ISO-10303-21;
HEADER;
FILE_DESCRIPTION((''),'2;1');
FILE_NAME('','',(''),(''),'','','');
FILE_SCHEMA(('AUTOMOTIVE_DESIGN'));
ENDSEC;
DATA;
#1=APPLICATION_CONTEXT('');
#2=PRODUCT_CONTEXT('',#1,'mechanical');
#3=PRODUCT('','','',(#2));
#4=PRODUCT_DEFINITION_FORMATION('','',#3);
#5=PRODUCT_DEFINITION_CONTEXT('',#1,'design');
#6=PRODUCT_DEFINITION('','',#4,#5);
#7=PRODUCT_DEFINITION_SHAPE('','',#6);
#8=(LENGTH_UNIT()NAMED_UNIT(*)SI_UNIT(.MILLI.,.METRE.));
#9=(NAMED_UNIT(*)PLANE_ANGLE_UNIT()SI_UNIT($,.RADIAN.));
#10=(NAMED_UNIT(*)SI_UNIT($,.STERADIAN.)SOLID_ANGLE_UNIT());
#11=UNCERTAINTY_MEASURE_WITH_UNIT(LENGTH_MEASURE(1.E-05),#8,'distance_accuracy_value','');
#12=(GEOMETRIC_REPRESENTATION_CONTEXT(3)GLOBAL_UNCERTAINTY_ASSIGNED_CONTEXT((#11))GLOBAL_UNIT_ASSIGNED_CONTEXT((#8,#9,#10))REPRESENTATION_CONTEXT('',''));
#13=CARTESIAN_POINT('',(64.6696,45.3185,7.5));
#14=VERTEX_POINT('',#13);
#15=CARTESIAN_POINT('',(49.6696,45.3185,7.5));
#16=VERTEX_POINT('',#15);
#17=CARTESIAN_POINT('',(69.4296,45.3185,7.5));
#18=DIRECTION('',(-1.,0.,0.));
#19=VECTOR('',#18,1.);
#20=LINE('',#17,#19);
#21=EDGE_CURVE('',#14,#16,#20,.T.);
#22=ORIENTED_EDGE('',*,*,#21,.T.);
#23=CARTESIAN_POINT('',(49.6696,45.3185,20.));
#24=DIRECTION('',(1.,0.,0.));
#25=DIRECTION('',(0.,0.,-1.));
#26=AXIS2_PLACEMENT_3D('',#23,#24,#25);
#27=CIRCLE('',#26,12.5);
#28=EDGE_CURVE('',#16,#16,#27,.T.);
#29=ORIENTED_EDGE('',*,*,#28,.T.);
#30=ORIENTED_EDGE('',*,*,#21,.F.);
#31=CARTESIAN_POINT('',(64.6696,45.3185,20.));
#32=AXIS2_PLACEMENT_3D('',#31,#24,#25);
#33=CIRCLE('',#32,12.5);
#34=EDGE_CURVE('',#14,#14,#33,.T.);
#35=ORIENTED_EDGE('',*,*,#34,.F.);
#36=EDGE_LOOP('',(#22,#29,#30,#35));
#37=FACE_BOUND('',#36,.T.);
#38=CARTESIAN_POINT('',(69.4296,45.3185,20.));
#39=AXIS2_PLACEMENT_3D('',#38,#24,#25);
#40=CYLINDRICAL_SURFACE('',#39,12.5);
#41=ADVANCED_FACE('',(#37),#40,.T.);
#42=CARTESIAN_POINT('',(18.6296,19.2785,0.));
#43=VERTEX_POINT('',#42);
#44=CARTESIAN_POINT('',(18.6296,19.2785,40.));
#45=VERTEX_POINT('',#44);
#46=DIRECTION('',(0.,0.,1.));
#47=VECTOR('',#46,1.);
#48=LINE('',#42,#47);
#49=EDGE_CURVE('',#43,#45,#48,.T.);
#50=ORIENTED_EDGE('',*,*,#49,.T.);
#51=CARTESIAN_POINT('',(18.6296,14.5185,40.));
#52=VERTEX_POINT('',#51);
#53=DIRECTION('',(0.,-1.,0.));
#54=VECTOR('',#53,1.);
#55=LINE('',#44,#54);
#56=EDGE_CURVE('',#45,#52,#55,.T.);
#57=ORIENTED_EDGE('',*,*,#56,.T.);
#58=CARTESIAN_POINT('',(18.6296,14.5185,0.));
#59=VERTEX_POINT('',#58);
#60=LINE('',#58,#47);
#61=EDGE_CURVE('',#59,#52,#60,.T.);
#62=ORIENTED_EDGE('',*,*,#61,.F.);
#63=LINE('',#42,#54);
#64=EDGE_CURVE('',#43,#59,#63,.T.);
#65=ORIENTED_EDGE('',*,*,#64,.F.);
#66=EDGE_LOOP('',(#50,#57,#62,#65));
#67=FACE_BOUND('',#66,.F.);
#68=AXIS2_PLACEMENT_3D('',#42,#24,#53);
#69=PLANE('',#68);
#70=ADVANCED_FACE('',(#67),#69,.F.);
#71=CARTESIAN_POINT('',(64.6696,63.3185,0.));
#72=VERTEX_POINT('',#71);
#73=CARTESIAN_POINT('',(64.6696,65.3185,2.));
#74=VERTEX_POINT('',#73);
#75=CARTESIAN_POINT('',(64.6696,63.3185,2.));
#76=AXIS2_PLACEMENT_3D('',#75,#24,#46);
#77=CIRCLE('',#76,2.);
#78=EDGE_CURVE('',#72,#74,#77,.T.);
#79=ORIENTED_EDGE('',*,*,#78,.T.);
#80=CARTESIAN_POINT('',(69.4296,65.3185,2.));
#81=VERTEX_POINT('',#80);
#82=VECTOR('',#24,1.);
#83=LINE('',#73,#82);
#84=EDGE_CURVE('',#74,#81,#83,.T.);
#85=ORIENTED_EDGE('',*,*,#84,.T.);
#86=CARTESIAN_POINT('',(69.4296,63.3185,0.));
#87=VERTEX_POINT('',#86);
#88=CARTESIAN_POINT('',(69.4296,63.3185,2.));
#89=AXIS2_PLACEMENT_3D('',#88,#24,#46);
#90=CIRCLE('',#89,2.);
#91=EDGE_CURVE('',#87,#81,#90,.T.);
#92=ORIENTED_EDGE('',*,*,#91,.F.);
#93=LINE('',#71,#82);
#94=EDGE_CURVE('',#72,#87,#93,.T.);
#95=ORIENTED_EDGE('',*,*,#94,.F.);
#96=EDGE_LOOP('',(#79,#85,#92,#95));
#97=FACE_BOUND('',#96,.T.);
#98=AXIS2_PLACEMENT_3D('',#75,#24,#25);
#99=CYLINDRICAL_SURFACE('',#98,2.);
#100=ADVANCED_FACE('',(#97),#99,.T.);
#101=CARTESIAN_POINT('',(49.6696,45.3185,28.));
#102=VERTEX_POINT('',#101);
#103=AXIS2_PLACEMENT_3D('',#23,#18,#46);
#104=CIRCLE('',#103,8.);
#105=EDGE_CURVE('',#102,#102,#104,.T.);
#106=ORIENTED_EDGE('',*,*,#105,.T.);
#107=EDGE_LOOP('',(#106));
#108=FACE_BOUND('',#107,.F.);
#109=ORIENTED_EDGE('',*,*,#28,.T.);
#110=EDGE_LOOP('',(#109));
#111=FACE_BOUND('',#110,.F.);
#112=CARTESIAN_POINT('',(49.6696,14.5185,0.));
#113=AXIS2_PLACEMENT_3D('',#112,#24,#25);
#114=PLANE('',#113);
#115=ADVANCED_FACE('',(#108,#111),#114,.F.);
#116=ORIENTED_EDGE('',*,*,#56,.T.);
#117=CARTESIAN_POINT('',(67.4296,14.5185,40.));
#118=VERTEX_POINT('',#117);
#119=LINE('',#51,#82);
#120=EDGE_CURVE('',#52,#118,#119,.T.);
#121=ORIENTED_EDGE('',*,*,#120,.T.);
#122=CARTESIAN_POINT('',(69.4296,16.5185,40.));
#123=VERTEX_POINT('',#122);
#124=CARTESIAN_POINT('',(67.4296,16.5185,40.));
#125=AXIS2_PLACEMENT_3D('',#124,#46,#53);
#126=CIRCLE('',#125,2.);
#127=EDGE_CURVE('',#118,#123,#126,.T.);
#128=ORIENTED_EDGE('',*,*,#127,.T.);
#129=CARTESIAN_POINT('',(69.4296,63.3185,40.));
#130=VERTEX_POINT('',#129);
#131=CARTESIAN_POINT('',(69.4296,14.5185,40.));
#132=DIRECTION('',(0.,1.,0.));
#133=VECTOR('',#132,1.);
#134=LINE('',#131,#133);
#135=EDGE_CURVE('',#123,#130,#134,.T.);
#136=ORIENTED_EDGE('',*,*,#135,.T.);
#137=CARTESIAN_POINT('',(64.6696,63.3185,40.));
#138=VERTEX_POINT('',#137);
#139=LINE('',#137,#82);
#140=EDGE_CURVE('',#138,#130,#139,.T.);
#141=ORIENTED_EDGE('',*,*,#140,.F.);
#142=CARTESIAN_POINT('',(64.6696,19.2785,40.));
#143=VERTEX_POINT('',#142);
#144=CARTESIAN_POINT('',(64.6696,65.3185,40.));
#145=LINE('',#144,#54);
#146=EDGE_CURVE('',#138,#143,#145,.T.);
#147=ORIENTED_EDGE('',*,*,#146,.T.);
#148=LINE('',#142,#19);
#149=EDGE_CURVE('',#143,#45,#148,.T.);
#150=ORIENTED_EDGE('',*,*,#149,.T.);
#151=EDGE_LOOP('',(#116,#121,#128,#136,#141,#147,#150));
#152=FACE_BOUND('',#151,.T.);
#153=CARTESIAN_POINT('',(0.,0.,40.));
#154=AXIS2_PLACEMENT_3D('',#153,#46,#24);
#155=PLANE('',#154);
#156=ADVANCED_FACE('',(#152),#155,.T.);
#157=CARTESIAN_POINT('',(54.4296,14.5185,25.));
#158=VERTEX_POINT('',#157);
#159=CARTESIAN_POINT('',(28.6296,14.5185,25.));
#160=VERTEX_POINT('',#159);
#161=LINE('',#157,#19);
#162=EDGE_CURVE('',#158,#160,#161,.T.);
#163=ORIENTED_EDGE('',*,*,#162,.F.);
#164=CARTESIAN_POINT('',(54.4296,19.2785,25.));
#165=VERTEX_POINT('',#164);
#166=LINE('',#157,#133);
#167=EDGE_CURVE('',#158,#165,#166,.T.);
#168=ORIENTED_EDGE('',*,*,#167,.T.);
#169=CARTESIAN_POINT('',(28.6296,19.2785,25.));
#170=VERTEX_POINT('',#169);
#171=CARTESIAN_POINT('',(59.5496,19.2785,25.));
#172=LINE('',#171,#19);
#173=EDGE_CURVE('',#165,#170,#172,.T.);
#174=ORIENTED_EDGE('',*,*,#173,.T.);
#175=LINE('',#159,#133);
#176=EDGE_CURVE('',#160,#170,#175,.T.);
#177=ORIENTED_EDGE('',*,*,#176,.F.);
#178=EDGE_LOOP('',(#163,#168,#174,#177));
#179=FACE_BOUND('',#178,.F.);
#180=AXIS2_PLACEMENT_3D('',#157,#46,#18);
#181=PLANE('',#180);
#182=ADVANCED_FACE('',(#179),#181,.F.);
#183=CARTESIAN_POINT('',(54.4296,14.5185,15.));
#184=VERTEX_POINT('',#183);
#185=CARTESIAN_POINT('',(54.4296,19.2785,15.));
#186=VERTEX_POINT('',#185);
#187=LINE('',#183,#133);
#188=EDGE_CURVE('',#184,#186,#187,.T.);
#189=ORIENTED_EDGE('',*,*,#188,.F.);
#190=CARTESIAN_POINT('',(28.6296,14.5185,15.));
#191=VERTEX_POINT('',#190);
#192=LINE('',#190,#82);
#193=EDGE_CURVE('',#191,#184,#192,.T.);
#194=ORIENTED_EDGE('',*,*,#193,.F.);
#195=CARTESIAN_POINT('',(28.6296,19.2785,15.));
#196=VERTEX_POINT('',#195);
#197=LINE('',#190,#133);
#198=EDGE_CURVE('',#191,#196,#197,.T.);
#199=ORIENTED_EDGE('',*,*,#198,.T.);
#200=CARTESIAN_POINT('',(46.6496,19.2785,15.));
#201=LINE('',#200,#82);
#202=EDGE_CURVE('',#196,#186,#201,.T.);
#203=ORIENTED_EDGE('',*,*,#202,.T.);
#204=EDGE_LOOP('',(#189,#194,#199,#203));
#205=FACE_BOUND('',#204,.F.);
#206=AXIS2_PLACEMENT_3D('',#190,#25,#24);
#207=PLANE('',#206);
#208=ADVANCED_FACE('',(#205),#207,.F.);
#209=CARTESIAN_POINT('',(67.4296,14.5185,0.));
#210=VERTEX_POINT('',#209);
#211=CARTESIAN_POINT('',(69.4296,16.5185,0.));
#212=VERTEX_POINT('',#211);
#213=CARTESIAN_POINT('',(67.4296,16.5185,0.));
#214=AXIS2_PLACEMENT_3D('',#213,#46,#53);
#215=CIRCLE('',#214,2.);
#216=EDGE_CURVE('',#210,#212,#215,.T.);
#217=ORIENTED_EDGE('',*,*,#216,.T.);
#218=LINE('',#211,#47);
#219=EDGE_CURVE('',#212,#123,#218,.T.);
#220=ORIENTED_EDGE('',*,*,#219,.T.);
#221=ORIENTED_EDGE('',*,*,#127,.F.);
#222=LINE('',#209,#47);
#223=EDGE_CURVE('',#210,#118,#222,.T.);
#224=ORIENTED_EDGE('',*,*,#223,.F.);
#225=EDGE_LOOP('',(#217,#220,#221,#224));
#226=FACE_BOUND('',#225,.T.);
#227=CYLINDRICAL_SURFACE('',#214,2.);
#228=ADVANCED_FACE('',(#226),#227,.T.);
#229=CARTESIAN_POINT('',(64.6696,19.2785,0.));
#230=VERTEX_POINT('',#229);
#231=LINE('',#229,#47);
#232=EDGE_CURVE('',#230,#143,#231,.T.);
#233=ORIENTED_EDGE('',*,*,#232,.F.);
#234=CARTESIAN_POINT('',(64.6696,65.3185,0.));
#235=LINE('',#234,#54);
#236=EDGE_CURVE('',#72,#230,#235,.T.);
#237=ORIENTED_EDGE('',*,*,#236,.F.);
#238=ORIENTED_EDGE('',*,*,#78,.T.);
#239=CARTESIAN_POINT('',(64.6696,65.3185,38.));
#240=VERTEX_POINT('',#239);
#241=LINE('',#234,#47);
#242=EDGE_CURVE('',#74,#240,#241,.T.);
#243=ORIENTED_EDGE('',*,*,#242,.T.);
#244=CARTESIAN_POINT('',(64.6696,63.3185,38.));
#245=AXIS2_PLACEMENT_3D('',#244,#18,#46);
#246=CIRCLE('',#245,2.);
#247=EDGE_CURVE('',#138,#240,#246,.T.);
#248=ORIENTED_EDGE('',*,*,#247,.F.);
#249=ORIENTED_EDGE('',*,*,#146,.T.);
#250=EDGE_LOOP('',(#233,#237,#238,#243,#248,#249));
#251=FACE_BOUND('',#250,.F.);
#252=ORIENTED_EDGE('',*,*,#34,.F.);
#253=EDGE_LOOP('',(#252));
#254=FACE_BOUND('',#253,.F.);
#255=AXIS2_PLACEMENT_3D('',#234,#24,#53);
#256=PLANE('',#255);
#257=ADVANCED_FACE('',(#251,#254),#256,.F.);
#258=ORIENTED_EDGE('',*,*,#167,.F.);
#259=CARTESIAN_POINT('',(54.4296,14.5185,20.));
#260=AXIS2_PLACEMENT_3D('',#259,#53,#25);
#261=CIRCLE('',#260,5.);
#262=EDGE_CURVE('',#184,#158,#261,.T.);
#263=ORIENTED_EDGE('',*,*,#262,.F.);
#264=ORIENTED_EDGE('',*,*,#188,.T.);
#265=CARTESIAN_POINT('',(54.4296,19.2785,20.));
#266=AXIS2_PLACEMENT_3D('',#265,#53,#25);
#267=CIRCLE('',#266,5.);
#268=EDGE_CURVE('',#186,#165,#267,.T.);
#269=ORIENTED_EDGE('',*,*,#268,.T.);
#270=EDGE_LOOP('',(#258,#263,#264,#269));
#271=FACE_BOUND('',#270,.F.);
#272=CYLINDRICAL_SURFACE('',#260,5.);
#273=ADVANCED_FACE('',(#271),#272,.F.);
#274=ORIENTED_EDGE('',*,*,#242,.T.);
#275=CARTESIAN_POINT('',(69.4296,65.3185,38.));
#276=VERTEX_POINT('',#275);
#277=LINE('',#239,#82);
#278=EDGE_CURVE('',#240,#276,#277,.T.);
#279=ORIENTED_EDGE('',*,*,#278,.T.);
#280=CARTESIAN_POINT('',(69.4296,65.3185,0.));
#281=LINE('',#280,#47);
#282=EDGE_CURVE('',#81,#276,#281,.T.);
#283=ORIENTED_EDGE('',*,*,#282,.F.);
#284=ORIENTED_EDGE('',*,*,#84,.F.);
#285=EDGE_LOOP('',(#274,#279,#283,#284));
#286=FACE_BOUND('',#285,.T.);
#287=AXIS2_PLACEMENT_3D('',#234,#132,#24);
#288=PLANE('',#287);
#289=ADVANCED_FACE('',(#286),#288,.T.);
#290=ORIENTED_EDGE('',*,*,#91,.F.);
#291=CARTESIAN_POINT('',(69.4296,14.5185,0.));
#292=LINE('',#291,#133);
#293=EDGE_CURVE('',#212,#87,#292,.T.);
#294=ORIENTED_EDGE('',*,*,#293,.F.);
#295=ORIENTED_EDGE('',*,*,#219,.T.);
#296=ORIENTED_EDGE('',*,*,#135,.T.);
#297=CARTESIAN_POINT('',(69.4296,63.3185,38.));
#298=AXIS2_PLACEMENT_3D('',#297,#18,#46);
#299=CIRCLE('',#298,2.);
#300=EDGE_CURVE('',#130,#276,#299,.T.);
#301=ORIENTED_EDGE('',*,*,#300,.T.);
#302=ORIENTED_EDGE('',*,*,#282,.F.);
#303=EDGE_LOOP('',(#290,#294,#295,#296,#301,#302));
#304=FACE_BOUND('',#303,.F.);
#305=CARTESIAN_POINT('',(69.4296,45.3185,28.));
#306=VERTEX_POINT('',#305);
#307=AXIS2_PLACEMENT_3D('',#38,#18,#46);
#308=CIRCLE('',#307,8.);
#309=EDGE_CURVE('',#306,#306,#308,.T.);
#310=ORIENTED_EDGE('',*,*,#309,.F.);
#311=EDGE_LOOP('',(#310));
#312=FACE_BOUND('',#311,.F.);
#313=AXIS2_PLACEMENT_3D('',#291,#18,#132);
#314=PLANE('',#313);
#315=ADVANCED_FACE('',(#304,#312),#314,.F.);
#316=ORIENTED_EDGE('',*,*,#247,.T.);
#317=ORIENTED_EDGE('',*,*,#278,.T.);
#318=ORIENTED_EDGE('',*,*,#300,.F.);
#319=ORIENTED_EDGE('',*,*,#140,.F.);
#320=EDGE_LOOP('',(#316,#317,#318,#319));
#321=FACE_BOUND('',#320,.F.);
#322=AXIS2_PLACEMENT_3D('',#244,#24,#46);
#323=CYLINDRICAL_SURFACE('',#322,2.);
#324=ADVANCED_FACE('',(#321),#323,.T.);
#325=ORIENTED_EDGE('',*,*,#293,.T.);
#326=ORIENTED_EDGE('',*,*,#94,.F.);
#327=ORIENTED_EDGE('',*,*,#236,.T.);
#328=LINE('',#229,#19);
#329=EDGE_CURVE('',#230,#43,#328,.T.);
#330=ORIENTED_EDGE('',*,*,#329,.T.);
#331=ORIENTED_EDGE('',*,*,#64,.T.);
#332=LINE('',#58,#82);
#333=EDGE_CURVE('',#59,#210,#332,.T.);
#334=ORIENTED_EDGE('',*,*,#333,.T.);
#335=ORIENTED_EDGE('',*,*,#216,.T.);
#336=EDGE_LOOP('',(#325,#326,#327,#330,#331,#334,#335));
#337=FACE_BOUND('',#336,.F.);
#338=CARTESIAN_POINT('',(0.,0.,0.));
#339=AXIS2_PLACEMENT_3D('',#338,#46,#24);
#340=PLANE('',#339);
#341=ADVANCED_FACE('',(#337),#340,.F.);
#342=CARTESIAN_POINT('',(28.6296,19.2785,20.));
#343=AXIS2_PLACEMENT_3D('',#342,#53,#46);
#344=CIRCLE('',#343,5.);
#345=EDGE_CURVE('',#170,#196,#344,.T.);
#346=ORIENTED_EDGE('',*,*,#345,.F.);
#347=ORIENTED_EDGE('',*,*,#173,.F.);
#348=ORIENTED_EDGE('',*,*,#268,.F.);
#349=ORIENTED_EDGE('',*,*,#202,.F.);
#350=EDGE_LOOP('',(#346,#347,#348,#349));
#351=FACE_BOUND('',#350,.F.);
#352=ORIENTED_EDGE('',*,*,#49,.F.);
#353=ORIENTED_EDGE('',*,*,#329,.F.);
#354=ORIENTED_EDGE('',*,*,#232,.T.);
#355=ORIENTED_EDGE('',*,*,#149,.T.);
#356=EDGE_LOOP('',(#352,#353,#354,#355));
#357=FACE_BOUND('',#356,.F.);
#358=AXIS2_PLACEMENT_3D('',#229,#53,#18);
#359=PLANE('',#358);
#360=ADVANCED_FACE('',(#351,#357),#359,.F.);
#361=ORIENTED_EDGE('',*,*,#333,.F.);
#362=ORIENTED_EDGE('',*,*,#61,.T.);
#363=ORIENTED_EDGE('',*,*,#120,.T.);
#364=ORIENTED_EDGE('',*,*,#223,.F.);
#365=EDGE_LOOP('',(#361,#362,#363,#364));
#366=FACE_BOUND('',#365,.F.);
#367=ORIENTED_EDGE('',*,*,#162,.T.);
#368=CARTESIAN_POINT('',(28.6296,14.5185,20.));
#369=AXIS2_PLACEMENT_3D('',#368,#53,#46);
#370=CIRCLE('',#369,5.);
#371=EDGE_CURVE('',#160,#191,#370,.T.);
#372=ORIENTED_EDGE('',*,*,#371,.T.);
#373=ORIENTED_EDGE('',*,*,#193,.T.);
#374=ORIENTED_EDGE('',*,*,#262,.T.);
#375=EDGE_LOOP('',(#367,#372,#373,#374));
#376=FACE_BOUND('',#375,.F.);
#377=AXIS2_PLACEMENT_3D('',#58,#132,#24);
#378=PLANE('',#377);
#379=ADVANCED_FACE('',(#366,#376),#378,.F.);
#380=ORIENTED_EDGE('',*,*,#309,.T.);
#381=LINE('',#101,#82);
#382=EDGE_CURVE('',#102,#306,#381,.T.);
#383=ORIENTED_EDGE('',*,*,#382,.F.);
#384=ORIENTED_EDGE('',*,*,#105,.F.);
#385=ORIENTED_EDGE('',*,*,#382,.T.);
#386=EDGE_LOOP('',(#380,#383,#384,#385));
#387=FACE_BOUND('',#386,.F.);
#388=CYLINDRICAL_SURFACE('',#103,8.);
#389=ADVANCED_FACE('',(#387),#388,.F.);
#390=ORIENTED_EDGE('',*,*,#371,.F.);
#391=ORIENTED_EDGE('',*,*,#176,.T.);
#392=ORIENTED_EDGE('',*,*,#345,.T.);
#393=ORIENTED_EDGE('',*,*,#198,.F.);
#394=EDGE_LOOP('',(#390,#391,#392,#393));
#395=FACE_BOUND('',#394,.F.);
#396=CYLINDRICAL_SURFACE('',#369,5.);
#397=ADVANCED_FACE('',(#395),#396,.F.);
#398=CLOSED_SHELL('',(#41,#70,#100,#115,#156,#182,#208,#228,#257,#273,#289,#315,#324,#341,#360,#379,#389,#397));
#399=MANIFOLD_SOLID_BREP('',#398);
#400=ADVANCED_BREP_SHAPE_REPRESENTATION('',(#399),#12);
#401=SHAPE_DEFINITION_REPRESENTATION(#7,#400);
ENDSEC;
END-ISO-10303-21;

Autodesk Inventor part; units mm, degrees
ref_plane "YZ Plane" through (0, 0, 0) normal (1, 0, 0) x (0, 1, 0)
ref_plane "XZ Plane" through (0, 0, 0) normal (0, 1, 0) x (-1, 0, 0)
ref_plane "XY Plane" through (0, 0, 0) normal (0, 0, 1) x (1, 0, 0)
sketch "Sketch1" plane through (0, 0, 0) normal (0, 0, 1) x (1, 0, 0)
  line L0 (18.6296, 14.5185) -> (69.4296, 14.5185)
  line L1 (69.4296, 14.5185) -> (69.4296, 65.3185)
  line L2 (64.6696, 65.3185) -> (64.6696, 19.2785)
  line L3 (64.6696, 19.2785) -> (18.6296, 19.2785)
  line L4 (18.6296, 19.2785) -> (18.6296, 14.5185)
  line L5 (64.6696, 65.3185) -> (69.4296, 65.3185)
  point P0 (0, 0)
  dimension "d1" = 50.8
  dimension "d2" = 50.8
  dimension "d3" = 4.76
extrude "Extrusion1" add sketch "Sketch1" along normal blind 40
sketch "Sketch2" plane through (69.4296, 14.5185, 0) normal (1, 0, 0) x (0, 0, -1)
  line L0 (-40, 50.8) -> (0, 0)
  line L1 (-40, 0) -> (0, 50.0964)
  circle A0 centre (-20, 30.8) radius 12.5
  line L2 (0, 50.8) -> (-40, 50.8) projected
  line L3 (0, 0) -> (0, 50.8) projected
  point P0 (0, -14.5185)
  dimension "d6" = 25
  dimension "d7" = 20
  dimension "d8" = 20
extrude "Extrusion2" add sketch "Sketch2" against normal blind 19.76 contours A0 L1 L0 | L0 L1 A0 | L1 A0 L0 | L0 A0 L1
sketch "Sketch3" plane through (49.6696, 45.3185, 20) normal (-1, 0, 0) x (0, 0, 1)
  circle A0 centre (0, 0) radius 8
  point P0 (-20, -45.3185)
  dimension "d11" = 16
extrude "Extrusion3" cut sketch "Sketch3" against normal blind 19.76
sketch "Sketch4" plane through (18.6296, 14.5185, 0) normal (0, -1, 0) x (1, 0, 0)
  arc A0 (35.8, 15) -> (35.8, 25) centre (35.8, 20) ccw
  arc A1 (10, 25) -> (10, 15) centre (10, 20) ccw
  line L0 (50.8, 0) -> (50.8, 40) projected
  line L1 (0, 0) -> (0, 40) projected
  line L2 (0, 40) -> (50.8, 40) projected
  line L3 (35.8, 25) -> (10, 25)
  line L4 (10, 15) -> (35.8, 15)
  point P0 (-18.6296, 0)
  dimension "d14" = 10
  dimension "d15" = 10
  dimension "d16" = 15
  dimension "d17" = 10
  dimension "d18" = 20
  dimension "d19" = 20
extrude "Extrusion4" cut sketch "Sketch4" against normal blind 6
fillet "Fillet1" radius 2 1 edges at (69.4296, 14.5185, 20)
fillet "Fillet2" radius 2 2 edges at (67.0496, 65.3185, 40) (67.0496, 65.3185, 0)
sketch "Sketch5" plane through (18.6296, 19.2785, 0) normal (0, 1, 0) x (1, 0, 0)
  arc A0 (35.8, -25) -> (35.8, -15) centre (35.8, -20) ccw projected
  arc A1 (35.8, -25) -> (35.8, -15) centre (35.8, -20) ccw projected
  arc A2 (10, -15) -> (10, -25) centre (10, -20) ccw projected
  line L0 (10, -15) -> (35.8, -15) projected
  line L1 (35.8, -15) -> (10, -15) projected
  line L2 (35.8, -25) -> (10, -25) projected
  point P0 (-18.6296, 0)
equation "\"d19\" = d18"
properties part number "Mancal_Movel" material "SAE 1010/1020"
